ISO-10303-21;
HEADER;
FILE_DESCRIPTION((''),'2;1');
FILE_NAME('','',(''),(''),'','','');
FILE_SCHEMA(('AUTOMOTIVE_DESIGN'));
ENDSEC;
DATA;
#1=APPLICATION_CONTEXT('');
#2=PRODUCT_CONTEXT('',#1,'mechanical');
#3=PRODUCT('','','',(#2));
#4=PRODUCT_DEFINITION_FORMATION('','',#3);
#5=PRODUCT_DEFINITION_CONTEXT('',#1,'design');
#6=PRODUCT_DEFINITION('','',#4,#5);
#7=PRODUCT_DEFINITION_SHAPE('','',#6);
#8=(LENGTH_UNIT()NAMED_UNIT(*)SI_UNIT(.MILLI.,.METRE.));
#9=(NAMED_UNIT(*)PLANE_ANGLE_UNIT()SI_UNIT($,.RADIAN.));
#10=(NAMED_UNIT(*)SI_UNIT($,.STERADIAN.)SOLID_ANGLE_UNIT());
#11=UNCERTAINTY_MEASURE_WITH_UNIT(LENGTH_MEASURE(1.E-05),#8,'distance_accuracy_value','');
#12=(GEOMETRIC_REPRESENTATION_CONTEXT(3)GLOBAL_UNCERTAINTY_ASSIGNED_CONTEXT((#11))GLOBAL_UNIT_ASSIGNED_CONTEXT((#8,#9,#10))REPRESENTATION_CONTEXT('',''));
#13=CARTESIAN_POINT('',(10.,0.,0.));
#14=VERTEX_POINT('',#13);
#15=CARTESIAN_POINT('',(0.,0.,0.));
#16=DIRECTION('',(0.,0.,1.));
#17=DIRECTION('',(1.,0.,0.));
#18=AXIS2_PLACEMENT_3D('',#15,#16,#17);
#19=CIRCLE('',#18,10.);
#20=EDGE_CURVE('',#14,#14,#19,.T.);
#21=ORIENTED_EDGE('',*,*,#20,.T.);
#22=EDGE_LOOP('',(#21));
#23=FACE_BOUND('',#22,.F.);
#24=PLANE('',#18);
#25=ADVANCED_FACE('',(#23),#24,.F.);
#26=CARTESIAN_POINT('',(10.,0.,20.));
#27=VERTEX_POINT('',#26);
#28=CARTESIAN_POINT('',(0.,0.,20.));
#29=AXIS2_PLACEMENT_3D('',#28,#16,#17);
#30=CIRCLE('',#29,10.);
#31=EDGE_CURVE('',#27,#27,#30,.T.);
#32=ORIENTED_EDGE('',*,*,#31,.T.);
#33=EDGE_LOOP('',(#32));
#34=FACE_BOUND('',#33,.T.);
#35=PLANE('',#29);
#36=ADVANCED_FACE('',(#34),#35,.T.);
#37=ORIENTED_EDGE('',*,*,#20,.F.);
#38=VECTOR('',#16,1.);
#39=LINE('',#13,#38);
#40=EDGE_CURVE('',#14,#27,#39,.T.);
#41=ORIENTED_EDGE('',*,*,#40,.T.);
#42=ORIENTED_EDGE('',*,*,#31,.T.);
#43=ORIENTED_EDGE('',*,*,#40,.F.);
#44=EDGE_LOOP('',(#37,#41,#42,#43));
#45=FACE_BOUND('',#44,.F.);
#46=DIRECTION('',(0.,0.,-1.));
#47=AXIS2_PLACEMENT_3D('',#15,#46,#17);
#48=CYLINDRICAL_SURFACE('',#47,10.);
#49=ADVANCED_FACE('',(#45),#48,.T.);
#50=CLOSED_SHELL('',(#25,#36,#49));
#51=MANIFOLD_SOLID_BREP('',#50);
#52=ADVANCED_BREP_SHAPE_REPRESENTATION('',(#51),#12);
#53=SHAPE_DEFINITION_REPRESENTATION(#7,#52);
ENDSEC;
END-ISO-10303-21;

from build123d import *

# Parameters (mm, degrees)
SKETCH_R  = 10
PAD_DEPTH = 20


with BuildPart() as part:
    # Sketch → Pad (new body)
    with BuildSketch(Plane.XY):
        Circle(SKETCH_R)
    extrude(amount=PAD_DEPTH)


solid = part.part
